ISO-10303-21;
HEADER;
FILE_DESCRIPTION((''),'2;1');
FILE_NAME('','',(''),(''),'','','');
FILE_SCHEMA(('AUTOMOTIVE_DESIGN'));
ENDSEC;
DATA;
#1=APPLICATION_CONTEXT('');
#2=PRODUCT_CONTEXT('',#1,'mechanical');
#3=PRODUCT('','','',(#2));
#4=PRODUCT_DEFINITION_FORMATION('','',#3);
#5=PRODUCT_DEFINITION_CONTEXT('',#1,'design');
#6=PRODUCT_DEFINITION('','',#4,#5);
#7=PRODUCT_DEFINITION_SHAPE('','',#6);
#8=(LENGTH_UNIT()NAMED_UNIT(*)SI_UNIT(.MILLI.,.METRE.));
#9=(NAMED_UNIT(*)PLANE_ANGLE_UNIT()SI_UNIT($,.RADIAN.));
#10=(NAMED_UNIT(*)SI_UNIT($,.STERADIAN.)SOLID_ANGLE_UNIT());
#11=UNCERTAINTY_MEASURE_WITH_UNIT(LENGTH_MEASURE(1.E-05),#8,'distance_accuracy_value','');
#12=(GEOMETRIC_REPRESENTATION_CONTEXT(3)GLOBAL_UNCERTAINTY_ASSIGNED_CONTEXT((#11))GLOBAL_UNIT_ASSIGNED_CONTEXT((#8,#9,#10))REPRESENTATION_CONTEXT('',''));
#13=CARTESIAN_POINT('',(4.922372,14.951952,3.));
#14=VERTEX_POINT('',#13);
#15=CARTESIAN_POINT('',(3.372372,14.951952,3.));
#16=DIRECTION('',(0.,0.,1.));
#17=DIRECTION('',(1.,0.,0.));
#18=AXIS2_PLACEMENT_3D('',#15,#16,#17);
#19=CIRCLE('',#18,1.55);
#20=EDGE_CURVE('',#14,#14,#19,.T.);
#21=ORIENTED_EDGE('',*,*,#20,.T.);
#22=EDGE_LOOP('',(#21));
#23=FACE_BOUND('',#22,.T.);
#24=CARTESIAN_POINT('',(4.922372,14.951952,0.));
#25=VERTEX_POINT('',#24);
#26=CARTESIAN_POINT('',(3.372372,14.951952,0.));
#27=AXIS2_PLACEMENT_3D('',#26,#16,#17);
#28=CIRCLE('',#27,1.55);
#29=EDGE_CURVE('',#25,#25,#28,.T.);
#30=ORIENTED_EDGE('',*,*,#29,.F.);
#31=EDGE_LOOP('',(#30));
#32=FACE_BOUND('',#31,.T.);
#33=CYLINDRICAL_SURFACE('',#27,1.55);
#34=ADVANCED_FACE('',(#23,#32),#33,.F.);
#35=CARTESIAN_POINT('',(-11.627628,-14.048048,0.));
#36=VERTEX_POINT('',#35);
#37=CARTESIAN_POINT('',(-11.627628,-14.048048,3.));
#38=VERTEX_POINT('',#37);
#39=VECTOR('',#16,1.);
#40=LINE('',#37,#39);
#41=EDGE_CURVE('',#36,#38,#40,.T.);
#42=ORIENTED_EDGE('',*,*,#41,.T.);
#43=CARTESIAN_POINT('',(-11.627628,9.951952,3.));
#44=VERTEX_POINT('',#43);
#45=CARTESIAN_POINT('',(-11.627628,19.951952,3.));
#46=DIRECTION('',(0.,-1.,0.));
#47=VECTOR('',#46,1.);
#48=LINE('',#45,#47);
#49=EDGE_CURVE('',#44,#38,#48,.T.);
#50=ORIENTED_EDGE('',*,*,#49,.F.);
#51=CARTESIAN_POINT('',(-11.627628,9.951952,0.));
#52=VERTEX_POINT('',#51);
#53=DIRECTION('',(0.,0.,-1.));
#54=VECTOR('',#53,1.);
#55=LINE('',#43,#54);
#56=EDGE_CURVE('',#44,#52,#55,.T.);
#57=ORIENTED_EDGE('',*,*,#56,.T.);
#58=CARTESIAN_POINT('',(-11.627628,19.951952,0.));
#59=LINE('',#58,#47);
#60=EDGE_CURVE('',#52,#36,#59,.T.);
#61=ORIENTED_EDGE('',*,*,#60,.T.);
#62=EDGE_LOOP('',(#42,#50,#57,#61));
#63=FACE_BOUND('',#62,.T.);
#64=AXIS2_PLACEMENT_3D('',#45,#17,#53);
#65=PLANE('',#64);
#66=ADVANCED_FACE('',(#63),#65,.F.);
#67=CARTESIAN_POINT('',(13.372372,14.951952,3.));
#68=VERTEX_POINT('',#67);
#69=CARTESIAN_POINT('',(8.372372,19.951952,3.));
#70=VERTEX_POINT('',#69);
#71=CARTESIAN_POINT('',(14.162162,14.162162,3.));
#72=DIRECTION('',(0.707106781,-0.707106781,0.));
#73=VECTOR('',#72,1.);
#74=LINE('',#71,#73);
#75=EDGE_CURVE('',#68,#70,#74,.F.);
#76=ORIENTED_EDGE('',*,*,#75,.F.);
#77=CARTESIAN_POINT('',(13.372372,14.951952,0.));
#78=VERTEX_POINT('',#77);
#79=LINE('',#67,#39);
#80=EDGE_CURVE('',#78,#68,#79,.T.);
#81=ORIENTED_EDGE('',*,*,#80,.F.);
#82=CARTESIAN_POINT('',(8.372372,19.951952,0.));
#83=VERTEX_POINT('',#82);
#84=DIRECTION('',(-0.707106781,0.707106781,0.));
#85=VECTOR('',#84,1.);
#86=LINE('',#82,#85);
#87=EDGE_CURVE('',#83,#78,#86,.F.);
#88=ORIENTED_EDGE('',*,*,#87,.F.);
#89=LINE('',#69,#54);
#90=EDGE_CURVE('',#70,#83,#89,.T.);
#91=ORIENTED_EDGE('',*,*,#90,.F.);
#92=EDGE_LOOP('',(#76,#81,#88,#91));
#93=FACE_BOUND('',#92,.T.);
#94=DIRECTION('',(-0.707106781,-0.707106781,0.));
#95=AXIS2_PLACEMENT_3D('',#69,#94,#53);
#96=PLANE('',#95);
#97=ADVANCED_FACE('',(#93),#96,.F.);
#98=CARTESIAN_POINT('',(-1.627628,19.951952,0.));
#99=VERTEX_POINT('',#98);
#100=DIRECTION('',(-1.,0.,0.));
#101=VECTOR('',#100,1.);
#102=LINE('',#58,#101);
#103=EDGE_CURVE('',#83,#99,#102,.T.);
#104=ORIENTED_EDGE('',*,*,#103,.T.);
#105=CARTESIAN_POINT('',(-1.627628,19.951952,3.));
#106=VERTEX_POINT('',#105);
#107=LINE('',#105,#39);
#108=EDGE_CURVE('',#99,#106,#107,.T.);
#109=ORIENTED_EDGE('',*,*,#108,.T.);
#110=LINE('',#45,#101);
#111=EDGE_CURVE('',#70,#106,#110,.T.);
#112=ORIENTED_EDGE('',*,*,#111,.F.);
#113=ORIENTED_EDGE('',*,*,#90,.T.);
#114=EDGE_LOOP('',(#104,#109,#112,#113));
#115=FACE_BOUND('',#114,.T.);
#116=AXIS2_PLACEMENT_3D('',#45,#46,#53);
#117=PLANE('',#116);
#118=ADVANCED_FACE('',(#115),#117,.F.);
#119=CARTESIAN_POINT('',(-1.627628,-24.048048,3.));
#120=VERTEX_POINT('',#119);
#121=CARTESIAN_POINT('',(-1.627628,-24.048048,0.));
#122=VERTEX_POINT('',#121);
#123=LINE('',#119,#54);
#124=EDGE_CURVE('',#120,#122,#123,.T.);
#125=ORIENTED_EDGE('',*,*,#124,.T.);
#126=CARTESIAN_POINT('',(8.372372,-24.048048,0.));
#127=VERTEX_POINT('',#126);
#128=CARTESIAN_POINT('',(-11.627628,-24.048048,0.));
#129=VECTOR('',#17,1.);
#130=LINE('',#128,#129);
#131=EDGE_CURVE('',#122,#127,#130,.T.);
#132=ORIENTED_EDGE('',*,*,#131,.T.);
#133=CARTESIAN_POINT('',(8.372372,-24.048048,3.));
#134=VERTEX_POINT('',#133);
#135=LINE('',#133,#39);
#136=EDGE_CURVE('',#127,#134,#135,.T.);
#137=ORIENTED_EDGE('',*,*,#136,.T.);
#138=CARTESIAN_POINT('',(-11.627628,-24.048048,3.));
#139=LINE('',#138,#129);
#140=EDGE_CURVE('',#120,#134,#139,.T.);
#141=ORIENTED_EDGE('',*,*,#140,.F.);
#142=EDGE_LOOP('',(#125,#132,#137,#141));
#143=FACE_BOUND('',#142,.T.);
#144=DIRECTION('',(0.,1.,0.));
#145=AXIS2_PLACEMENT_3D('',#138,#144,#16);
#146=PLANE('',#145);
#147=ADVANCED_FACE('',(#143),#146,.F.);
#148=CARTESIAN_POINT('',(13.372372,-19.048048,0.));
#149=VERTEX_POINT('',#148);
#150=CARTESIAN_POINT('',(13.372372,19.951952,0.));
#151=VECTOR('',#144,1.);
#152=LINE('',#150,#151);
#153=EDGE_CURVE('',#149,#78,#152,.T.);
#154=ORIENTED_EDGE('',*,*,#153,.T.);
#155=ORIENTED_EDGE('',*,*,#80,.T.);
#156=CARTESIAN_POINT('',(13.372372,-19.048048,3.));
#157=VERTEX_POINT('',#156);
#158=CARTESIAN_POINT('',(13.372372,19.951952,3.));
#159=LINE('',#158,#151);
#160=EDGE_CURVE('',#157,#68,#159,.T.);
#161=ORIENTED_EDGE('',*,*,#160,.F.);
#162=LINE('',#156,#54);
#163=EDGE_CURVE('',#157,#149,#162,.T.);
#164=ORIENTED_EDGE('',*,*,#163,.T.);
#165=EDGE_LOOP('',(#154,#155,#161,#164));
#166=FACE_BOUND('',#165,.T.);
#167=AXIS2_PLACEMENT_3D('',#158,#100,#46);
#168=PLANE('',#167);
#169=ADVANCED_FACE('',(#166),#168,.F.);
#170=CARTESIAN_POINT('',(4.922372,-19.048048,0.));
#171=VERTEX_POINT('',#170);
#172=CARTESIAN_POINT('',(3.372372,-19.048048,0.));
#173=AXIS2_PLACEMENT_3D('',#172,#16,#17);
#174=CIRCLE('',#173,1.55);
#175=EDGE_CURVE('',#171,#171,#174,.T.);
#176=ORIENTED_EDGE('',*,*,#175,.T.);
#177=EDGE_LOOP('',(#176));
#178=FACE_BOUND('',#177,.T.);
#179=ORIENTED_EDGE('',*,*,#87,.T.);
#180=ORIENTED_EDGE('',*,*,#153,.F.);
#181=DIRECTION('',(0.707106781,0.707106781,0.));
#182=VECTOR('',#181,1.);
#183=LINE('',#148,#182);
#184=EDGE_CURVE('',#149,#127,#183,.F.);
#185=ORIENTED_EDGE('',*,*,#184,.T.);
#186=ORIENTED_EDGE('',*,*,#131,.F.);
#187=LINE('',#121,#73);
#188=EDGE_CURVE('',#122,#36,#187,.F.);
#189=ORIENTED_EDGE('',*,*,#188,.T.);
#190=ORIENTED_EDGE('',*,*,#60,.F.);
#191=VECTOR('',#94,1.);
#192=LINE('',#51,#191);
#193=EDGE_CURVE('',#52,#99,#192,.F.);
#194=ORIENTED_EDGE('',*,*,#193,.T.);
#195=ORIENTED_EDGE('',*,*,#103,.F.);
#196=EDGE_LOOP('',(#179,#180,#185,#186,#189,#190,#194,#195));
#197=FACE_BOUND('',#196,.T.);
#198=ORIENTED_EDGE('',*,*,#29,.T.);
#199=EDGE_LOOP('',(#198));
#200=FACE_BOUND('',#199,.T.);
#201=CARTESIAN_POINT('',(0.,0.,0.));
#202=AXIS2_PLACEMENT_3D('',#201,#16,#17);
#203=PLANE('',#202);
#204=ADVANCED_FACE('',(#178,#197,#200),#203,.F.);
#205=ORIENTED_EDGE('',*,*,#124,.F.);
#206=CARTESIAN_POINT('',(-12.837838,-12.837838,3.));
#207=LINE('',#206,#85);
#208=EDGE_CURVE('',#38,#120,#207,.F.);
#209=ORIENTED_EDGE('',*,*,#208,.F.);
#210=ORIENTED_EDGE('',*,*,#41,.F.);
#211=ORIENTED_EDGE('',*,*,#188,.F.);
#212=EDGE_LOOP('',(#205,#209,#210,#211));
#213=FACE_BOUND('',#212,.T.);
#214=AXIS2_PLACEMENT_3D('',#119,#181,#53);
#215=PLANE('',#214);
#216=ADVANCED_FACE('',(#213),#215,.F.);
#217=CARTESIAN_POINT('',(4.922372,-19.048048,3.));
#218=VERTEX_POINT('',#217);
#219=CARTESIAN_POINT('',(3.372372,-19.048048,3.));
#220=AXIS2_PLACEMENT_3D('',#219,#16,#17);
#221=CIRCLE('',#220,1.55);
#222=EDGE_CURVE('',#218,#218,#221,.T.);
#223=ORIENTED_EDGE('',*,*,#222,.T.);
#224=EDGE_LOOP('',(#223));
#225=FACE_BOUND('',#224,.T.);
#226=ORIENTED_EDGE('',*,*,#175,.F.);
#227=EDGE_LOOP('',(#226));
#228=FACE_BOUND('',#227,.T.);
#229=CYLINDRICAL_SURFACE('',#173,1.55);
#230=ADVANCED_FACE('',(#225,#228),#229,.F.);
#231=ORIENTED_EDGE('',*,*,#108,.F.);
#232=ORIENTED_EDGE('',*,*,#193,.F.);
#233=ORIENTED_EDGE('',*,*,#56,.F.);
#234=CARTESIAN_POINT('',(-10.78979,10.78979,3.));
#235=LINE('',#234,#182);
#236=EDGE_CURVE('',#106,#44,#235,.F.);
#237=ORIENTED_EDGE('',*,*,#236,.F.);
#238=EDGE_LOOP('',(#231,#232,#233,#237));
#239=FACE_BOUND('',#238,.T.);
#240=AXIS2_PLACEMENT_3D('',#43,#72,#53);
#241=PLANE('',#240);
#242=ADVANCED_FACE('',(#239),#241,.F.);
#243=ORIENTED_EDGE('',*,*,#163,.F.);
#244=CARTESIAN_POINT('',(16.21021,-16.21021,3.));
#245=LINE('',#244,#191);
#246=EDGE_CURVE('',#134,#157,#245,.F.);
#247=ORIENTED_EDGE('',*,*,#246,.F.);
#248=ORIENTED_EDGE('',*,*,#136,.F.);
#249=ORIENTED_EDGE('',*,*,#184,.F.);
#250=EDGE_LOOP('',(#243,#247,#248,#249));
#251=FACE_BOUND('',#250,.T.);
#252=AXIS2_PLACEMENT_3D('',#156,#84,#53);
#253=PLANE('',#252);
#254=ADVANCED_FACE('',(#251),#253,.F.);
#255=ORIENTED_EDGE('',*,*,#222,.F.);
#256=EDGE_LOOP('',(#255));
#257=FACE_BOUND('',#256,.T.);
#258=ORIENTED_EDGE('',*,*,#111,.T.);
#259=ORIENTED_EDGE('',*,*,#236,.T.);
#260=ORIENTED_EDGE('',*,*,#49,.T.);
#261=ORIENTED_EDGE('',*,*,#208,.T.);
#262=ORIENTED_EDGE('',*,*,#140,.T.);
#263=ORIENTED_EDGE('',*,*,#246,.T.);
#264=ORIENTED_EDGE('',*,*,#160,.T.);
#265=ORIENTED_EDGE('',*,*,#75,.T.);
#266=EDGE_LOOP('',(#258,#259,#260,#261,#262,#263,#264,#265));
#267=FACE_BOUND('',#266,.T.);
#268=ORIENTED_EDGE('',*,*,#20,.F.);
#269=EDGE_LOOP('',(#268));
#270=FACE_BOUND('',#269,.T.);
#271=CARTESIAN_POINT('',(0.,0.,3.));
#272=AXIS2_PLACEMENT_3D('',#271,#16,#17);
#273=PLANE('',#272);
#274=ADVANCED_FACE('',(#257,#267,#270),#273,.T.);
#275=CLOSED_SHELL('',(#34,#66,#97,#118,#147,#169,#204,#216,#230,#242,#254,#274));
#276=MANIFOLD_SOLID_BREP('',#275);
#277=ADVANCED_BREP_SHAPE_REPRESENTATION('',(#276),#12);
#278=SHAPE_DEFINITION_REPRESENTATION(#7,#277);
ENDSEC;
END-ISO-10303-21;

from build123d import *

# Parameters (mm, degrees)
SKETCH1_W           = 25
SKETCH1_H           = 44
BOSS_EXTRUDE1_DEPTH = 3
CHAMFER1_SIZE       = 10
CHAMFER2_SIZE       = 5
SKETCH2_R           = 1.55
CUT_EXTRUDE1_DEPTH  = 3


with BuildPart() as part:
    # Sketch1 → Boss-Extrude1 (new body)
    with BuildSketch(Plane.XY):
        with Locations((0.872372372, -2.048048048)):
            Rectangle(SKETCH1_W, SKETCH1_H)
    extrude(amount=BOSS_EXTRUDE1_DEPTH)

    # Chamfer1
    chamfer1_edges = [part.edges().sort_by_distance(p)[0] for p in [
        (-11.627627628, 19.951951952, 1.5),
        (-11.627627628, -24.048048048, 1.5),
    ]]
    chamfer(chamfer1_edges, length=CHAMFER1_SIZE)

    # Chamfer2
    chamfer2_edges = [part.edges().sort_by_distance(p)[0] for p in [
        (13.372372372, 19.951951952, 1.5),
        (13.372372372, -24.048048048, 1.5),
    ]]
    chamfer(chamfer2_edges, length=CHAMFER2_SIZE)

    # Sketch2 → Cut-Extrude1 (cut)
    with BuildSketch(Plane.XY.offset(3)):
        with Locations((3.372372372, 14.951951952)):
            Circle(SKETCH2_R)
        with Locations((3.372372372, -19.048048048)):
            Circle(SKETCH2_R)
    extrude(amount=-CUT_EXTRUDE1_DEPTH, mode=Mode.SUBTRACT)


solid = part.part
